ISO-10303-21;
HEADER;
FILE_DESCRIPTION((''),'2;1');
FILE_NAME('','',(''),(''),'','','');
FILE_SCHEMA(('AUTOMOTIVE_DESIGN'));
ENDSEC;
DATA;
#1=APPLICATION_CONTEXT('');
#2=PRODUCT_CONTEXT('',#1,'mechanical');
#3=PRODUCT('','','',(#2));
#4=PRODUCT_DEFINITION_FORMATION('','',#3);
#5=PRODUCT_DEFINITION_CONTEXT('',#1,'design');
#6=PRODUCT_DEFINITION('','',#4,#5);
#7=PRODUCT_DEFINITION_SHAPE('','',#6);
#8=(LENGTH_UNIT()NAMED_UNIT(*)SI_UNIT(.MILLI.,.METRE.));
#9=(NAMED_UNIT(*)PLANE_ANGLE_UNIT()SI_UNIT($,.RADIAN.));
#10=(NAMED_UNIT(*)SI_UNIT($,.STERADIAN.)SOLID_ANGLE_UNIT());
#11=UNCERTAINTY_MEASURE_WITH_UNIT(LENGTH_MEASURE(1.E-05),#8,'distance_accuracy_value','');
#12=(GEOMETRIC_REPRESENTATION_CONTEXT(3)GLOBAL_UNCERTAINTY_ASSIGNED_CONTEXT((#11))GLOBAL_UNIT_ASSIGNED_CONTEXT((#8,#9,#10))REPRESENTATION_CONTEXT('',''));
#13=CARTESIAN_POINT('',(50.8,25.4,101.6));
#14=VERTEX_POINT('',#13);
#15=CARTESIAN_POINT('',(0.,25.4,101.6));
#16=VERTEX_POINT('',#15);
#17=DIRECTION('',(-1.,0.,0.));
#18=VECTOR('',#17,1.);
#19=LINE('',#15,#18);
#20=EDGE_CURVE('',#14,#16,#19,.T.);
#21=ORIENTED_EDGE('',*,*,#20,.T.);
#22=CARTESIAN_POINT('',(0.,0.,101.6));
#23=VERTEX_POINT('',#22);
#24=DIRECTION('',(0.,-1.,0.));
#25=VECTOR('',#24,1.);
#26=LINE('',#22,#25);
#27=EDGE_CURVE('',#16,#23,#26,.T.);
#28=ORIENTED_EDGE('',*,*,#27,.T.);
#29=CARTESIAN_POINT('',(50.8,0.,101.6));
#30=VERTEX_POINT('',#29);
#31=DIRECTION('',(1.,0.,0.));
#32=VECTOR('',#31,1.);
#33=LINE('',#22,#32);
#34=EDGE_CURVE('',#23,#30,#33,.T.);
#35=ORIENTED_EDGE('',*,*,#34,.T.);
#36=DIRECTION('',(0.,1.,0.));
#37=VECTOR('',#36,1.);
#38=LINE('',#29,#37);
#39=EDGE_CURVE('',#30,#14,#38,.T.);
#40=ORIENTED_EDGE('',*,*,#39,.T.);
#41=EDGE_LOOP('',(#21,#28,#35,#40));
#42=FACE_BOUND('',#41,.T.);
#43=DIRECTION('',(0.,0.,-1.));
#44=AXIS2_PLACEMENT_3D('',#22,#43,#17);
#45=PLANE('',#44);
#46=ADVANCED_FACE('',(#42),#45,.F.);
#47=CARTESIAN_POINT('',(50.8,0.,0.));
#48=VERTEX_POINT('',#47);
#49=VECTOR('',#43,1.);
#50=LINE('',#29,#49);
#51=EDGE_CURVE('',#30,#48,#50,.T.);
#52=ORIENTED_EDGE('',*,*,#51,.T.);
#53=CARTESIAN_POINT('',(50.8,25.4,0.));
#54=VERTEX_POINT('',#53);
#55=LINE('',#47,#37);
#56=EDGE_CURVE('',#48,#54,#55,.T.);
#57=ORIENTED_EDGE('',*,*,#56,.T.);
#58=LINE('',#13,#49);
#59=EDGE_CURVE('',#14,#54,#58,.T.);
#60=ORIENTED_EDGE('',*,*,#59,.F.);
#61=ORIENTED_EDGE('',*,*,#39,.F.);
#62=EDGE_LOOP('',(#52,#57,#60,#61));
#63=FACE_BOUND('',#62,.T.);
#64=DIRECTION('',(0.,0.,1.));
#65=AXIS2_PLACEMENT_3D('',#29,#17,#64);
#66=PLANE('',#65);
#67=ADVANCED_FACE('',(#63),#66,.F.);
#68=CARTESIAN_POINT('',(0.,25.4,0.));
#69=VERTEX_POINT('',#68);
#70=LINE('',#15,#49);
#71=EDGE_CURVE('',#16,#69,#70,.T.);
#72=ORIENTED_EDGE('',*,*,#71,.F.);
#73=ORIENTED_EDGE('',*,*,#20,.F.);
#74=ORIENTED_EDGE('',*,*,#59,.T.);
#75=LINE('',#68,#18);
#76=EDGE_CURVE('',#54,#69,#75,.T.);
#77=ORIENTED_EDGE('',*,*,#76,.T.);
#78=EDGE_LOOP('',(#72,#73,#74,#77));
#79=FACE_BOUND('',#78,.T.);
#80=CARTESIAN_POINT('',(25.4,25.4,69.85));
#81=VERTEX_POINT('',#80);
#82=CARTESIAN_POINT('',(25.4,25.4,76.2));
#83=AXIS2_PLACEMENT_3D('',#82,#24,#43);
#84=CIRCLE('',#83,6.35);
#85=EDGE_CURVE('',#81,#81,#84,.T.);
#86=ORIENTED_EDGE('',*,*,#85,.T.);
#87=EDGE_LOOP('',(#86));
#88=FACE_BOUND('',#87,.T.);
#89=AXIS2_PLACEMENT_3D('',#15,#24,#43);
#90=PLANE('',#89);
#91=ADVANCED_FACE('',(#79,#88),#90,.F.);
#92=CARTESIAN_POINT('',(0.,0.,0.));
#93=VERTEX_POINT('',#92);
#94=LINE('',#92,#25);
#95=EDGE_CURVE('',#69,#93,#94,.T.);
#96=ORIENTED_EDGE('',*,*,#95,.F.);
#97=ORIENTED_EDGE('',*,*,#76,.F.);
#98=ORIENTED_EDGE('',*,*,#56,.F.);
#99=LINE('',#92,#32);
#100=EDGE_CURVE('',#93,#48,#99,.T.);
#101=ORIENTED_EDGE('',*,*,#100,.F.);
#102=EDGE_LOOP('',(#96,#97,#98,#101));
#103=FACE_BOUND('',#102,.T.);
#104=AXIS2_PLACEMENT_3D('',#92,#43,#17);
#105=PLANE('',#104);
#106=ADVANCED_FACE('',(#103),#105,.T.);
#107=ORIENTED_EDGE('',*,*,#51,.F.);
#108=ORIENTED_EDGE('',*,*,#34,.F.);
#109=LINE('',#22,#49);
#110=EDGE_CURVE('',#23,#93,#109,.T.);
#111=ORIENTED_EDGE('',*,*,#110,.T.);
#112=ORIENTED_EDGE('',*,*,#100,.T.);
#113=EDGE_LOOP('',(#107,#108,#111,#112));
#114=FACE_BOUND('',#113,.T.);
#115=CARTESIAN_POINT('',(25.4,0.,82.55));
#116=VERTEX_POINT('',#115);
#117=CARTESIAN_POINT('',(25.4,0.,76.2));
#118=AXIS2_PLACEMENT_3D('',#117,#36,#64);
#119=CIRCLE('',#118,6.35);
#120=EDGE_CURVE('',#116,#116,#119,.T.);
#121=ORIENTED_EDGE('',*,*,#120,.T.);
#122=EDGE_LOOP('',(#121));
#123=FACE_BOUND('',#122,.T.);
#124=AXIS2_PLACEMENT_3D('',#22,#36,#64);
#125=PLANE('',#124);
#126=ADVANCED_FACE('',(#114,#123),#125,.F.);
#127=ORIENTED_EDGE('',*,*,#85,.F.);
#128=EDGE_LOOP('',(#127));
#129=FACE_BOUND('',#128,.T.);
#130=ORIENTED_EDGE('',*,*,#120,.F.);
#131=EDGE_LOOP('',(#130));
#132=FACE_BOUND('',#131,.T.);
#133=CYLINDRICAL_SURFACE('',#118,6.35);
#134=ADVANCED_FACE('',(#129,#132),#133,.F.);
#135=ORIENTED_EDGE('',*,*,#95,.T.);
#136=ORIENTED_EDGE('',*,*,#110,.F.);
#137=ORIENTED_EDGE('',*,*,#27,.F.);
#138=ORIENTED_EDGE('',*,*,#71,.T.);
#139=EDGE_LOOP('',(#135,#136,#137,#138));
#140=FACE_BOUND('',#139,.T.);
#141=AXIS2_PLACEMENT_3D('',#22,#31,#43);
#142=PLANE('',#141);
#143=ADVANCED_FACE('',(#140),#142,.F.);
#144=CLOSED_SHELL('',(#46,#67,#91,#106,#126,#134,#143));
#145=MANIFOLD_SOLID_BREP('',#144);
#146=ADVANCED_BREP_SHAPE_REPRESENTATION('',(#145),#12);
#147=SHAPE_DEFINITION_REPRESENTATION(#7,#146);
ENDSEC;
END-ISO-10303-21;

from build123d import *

# Parameters (mm, degrees)
SKETCH1_W               = 50.8
SKETCH1_H               = 25.4
BOSS_EXTRUDE1_DEPTH     = 101.6
CUT_EXTRUDE1_DEPTH      = 117.397422652
CUT_EXTRUDE1_DEPTH_BACK = 117.397422652
SKETCH2_R               = 6.35


with BuildPart() as part:
    # Sketch1 → Boss-Extrude1 (new body)
    with BuildSketch(Plane.XY):
        with Locations((25.4, 12.7)):
            Rectangle(SKETCH1_W, SKETCH1_H)
    extrude(amount=BOSS_EXTRUDE1_DEPTH)

    # Sketch2 → Cut-Extrude1 (cut, two sides: drawn at the far end of the back side and taken through both)
    with BuildSketch(Plane(origin=(0, 25.4, 0), x_dir=(1, 0, 0), z_dir=(0, 1, 0)).offset(-CUT_EXTRUDE1_DEPTH_BACK)):
        with Locations(Location((25.4, -76.2, 0), (0, 0, 270))):
            Circle(SKETCH2_R)
    extrude(amount=CUT_EXTRUDE1_DEPTH + CUT_EXTRUDE1_DEPTH_BACK, mode=Mode.SUBTRACT)


solid = part.part
